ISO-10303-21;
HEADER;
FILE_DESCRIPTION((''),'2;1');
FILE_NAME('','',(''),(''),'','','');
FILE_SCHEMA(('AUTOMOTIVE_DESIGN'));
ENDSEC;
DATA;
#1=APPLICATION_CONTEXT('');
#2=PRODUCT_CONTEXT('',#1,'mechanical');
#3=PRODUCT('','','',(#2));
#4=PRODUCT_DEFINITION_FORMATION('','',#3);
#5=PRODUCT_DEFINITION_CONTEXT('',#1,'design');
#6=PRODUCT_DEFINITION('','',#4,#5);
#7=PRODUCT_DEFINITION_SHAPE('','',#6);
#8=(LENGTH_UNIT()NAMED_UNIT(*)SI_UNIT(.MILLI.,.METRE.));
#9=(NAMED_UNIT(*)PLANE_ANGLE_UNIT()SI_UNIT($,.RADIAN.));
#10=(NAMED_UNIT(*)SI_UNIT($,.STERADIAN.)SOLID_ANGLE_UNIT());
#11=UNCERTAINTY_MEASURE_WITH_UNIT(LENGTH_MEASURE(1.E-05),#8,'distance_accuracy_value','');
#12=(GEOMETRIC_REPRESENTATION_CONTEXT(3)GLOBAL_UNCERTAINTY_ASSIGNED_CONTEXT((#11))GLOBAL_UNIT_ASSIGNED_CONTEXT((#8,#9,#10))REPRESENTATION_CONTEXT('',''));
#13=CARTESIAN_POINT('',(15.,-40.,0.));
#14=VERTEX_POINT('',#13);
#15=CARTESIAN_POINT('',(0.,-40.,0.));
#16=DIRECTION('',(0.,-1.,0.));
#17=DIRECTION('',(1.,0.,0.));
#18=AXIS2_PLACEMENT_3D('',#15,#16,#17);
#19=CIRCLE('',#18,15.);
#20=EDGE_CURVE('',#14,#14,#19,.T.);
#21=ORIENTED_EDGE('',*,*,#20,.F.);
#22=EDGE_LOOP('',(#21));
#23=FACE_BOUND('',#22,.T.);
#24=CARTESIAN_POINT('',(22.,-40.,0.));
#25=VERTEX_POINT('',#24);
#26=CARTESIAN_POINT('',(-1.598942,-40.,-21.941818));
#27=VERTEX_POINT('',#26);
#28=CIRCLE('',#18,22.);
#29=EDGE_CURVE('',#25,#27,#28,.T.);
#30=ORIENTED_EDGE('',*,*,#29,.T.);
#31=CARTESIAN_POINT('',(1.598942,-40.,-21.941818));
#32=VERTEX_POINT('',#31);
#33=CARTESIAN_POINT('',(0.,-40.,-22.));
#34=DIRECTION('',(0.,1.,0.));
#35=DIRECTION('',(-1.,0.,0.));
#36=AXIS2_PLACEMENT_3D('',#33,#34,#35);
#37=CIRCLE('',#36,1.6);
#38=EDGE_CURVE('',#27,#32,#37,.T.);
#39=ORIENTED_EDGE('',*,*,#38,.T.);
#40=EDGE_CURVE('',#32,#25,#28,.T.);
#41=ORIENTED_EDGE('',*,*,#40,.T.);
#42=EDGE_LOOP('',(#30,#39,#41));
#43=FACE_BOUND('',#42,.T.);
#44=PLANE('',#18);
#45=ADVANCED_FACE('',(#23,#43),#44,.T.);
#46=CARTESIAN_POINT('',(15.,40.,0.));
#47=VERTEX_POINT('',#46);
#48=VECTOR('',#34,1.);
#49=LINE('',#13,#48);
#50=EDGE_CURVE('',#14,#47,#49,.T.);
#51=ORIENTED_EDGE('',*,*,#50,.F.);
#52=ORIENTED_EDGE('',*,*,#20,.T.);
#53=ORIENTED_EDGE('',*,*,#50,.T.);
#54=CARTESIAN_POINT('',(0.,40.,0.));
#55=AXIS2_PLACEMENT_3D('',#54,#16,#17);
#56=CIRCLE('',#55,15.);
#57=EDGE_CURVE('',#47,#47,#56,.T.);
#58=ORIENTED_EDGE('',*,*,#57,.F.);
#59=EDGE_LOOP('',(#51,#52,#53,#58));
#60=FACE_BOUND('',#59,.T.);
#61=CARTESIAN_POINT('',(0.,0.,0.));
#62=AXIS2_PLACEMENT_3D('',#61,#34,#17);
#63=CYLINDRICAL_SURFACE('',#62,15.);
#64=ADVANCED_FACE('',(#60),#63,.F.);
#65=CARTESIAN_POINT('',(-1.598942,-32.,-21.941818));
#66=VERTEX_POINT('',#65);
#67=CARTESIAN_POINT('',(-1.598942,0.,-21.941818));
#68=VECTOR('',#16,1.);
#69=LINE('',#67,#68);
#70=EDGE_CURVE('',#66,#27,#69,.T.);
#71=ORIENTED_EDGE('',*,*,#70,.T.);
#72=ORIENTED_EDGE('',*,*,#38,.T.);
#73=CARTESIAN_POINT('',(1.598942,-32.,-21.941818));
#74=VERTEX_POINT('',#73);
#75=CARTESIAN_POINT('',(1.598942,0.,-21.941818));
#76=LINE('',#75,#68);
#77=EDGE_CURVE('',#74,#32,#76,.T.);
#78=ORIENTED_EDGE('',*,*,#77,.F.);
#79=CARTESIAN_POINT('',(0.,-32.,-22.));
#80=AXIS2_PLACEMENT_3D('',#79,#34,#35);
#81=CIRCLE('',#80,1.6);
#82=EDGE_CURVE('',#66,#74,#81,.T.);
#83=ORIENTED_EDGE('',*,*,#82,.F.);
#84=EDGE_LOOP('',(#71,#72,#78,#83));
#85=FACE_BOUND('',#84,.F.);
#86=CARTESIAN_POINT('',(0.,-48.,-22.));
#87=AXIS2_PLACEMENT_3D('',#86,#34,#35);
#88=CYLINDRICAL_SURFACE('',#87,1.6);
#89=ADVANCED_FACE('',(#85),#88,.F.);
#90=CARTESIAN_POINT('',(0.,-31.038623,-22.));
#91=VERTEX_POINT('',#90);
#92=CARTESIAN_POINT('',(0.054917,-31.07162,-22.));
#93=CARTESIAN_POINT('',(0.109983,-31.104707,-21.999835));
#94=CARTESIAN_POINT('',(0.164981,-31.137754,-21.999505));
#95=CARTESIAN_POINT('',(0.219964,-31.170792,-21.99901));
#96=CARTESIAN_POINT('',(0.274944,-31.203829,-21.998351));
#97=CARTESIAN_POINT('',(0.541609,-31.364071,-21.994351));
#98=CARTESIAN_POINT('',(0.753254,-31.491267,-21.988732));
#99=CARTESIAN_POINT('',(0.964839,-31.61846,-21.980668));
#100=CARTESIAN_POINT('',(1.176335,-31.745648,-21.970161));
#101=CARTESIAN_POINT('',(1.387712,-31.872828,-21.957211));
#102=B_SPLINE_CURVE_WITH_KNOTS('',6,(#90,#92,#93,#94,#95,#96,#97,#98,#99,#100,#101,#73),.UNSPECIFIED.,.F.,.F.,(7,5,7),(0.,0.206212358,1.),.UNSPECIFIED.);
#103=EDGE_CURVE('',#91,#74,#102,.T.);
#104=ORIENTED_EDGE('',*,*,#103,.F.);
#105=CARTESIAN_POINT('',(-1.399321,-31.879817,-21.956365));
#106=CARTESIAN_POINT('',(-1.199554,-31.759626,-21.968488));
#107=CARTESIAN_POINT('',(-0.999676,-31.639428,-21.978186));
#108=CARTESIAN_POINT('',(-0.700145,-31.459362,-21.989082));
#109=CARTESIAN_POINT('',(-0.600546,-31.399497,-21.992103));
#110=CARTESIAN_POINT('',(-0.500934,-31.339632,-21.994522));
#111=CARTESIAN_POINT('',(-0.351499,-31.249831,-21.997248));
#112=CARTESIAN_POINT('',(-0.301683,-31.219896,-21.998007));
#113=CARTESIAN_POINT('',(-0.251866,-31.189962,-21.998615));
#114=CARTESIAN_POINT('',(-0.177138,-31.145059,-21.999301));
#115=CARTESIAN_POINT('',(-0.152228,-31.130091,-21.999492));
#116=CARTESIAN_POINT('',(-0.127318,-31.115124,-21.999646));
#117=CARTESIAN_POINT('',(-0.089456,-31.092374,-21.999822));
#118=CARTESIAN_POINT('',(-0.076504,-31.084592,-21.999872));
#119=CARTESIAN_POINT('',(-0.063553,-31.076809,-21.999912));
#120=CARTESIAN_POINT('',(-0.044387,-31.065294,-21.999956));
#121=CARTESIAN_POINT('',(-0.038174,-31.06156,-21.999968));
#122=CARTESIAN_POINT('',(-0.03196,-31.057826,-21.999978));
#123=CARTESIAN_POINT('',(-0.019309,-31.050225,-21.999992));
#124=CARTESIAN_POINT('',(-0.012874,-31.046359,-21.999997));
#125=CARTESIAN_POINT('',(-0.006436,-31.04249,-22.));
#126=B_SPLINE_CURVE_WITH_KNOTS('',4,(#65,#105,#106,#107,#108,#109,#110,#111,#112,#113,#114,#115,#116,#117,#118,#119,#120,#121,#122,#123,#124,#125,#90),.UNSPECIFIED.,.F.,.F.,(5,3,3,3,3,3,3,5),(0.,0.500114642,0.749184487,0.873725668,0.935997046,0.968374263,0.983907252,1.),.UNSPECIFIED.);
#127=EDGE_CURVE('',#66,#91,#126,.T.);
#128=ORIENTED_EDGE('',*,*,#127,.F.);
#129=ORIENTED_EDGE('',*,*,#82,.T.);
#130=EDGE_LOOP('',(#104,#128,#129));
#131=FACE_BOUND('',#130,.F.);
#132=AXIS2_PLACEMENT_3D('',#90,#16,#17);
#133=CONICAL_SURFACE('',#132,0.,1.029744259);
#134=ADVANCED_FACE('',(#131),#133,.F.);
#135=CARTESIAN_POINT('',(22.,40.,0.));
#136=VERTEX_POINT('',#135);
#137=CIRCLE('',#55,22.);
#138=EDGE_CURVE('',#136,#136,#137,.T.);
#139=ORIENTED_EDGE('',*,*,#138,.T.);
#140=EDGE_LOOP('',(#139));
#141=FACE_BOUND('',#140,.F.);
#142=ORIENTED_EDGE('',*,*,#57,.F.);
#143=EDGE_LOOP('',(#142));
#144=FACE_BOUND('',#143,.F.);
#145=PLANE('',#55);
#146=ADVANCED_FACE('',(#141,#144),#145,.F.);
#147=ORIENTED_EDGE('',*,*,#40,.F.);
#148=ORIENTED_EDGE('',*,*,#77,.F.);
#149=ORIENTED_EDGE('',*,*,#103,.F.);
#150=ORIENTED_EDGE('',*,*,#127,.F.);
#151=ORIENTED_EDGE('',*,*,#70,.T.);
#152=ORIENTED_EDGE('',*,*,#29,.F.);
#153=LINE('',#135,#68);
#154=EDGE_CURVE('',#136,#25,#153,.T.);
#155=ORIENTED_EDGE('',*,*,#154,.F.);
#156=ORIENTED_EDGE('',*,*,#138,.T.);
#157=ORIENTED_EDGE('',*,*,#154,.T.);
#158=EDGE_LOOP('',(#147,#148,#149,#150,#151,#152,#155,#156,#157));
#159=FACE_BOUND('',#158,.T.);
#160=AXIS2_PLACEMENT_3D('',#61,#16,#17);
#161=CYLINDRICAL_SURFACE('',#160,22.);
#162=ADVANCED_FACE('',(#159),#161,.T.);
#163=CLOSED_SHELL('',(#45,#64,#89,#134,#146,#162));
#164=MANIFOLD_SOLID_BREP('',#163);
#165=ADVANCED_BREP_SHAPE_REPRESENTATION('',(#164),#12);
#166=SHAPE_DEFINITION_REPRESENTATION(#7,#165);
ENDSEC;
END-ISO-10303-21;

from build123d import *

# Parameters (mm, degrees)
F0_R          = 22
F0_R_2        = 15
F1_DEPTH      = 40
F1_DEPTH_BACK = 40
F3_D          = 3.2
F3_DEPTH      = 8
F3_TIP        = 0.9613769904


with BuildPart() as f1:
    # F0 (on Front) → F1 (new body, two sides)
    with BuildSketch(Plane.XZ) as f1_sk:
        Circle(F0_R)
        Circle(F0_R_2, mode=Mode.SUBTRACT)
    extrude(amount=F1_DEPTH)
    extrude(f1_sk.sketch, amount=-F1_DEPTH_BACK)

    # F3
    with Locations(Plane.XZ.offset(40)):
        with Locations((0, -22)):
            Hole(F3_D / 2, depth=F3_DEPTH)
            with Locations((0, 0, -(F3_DEPTH + F3_TIP / 2))):  # 118° drill point
                Cone(0, F3_D / 2, F3_TIP, mode=Mode.SUBTRACT)


solid = f1.part
